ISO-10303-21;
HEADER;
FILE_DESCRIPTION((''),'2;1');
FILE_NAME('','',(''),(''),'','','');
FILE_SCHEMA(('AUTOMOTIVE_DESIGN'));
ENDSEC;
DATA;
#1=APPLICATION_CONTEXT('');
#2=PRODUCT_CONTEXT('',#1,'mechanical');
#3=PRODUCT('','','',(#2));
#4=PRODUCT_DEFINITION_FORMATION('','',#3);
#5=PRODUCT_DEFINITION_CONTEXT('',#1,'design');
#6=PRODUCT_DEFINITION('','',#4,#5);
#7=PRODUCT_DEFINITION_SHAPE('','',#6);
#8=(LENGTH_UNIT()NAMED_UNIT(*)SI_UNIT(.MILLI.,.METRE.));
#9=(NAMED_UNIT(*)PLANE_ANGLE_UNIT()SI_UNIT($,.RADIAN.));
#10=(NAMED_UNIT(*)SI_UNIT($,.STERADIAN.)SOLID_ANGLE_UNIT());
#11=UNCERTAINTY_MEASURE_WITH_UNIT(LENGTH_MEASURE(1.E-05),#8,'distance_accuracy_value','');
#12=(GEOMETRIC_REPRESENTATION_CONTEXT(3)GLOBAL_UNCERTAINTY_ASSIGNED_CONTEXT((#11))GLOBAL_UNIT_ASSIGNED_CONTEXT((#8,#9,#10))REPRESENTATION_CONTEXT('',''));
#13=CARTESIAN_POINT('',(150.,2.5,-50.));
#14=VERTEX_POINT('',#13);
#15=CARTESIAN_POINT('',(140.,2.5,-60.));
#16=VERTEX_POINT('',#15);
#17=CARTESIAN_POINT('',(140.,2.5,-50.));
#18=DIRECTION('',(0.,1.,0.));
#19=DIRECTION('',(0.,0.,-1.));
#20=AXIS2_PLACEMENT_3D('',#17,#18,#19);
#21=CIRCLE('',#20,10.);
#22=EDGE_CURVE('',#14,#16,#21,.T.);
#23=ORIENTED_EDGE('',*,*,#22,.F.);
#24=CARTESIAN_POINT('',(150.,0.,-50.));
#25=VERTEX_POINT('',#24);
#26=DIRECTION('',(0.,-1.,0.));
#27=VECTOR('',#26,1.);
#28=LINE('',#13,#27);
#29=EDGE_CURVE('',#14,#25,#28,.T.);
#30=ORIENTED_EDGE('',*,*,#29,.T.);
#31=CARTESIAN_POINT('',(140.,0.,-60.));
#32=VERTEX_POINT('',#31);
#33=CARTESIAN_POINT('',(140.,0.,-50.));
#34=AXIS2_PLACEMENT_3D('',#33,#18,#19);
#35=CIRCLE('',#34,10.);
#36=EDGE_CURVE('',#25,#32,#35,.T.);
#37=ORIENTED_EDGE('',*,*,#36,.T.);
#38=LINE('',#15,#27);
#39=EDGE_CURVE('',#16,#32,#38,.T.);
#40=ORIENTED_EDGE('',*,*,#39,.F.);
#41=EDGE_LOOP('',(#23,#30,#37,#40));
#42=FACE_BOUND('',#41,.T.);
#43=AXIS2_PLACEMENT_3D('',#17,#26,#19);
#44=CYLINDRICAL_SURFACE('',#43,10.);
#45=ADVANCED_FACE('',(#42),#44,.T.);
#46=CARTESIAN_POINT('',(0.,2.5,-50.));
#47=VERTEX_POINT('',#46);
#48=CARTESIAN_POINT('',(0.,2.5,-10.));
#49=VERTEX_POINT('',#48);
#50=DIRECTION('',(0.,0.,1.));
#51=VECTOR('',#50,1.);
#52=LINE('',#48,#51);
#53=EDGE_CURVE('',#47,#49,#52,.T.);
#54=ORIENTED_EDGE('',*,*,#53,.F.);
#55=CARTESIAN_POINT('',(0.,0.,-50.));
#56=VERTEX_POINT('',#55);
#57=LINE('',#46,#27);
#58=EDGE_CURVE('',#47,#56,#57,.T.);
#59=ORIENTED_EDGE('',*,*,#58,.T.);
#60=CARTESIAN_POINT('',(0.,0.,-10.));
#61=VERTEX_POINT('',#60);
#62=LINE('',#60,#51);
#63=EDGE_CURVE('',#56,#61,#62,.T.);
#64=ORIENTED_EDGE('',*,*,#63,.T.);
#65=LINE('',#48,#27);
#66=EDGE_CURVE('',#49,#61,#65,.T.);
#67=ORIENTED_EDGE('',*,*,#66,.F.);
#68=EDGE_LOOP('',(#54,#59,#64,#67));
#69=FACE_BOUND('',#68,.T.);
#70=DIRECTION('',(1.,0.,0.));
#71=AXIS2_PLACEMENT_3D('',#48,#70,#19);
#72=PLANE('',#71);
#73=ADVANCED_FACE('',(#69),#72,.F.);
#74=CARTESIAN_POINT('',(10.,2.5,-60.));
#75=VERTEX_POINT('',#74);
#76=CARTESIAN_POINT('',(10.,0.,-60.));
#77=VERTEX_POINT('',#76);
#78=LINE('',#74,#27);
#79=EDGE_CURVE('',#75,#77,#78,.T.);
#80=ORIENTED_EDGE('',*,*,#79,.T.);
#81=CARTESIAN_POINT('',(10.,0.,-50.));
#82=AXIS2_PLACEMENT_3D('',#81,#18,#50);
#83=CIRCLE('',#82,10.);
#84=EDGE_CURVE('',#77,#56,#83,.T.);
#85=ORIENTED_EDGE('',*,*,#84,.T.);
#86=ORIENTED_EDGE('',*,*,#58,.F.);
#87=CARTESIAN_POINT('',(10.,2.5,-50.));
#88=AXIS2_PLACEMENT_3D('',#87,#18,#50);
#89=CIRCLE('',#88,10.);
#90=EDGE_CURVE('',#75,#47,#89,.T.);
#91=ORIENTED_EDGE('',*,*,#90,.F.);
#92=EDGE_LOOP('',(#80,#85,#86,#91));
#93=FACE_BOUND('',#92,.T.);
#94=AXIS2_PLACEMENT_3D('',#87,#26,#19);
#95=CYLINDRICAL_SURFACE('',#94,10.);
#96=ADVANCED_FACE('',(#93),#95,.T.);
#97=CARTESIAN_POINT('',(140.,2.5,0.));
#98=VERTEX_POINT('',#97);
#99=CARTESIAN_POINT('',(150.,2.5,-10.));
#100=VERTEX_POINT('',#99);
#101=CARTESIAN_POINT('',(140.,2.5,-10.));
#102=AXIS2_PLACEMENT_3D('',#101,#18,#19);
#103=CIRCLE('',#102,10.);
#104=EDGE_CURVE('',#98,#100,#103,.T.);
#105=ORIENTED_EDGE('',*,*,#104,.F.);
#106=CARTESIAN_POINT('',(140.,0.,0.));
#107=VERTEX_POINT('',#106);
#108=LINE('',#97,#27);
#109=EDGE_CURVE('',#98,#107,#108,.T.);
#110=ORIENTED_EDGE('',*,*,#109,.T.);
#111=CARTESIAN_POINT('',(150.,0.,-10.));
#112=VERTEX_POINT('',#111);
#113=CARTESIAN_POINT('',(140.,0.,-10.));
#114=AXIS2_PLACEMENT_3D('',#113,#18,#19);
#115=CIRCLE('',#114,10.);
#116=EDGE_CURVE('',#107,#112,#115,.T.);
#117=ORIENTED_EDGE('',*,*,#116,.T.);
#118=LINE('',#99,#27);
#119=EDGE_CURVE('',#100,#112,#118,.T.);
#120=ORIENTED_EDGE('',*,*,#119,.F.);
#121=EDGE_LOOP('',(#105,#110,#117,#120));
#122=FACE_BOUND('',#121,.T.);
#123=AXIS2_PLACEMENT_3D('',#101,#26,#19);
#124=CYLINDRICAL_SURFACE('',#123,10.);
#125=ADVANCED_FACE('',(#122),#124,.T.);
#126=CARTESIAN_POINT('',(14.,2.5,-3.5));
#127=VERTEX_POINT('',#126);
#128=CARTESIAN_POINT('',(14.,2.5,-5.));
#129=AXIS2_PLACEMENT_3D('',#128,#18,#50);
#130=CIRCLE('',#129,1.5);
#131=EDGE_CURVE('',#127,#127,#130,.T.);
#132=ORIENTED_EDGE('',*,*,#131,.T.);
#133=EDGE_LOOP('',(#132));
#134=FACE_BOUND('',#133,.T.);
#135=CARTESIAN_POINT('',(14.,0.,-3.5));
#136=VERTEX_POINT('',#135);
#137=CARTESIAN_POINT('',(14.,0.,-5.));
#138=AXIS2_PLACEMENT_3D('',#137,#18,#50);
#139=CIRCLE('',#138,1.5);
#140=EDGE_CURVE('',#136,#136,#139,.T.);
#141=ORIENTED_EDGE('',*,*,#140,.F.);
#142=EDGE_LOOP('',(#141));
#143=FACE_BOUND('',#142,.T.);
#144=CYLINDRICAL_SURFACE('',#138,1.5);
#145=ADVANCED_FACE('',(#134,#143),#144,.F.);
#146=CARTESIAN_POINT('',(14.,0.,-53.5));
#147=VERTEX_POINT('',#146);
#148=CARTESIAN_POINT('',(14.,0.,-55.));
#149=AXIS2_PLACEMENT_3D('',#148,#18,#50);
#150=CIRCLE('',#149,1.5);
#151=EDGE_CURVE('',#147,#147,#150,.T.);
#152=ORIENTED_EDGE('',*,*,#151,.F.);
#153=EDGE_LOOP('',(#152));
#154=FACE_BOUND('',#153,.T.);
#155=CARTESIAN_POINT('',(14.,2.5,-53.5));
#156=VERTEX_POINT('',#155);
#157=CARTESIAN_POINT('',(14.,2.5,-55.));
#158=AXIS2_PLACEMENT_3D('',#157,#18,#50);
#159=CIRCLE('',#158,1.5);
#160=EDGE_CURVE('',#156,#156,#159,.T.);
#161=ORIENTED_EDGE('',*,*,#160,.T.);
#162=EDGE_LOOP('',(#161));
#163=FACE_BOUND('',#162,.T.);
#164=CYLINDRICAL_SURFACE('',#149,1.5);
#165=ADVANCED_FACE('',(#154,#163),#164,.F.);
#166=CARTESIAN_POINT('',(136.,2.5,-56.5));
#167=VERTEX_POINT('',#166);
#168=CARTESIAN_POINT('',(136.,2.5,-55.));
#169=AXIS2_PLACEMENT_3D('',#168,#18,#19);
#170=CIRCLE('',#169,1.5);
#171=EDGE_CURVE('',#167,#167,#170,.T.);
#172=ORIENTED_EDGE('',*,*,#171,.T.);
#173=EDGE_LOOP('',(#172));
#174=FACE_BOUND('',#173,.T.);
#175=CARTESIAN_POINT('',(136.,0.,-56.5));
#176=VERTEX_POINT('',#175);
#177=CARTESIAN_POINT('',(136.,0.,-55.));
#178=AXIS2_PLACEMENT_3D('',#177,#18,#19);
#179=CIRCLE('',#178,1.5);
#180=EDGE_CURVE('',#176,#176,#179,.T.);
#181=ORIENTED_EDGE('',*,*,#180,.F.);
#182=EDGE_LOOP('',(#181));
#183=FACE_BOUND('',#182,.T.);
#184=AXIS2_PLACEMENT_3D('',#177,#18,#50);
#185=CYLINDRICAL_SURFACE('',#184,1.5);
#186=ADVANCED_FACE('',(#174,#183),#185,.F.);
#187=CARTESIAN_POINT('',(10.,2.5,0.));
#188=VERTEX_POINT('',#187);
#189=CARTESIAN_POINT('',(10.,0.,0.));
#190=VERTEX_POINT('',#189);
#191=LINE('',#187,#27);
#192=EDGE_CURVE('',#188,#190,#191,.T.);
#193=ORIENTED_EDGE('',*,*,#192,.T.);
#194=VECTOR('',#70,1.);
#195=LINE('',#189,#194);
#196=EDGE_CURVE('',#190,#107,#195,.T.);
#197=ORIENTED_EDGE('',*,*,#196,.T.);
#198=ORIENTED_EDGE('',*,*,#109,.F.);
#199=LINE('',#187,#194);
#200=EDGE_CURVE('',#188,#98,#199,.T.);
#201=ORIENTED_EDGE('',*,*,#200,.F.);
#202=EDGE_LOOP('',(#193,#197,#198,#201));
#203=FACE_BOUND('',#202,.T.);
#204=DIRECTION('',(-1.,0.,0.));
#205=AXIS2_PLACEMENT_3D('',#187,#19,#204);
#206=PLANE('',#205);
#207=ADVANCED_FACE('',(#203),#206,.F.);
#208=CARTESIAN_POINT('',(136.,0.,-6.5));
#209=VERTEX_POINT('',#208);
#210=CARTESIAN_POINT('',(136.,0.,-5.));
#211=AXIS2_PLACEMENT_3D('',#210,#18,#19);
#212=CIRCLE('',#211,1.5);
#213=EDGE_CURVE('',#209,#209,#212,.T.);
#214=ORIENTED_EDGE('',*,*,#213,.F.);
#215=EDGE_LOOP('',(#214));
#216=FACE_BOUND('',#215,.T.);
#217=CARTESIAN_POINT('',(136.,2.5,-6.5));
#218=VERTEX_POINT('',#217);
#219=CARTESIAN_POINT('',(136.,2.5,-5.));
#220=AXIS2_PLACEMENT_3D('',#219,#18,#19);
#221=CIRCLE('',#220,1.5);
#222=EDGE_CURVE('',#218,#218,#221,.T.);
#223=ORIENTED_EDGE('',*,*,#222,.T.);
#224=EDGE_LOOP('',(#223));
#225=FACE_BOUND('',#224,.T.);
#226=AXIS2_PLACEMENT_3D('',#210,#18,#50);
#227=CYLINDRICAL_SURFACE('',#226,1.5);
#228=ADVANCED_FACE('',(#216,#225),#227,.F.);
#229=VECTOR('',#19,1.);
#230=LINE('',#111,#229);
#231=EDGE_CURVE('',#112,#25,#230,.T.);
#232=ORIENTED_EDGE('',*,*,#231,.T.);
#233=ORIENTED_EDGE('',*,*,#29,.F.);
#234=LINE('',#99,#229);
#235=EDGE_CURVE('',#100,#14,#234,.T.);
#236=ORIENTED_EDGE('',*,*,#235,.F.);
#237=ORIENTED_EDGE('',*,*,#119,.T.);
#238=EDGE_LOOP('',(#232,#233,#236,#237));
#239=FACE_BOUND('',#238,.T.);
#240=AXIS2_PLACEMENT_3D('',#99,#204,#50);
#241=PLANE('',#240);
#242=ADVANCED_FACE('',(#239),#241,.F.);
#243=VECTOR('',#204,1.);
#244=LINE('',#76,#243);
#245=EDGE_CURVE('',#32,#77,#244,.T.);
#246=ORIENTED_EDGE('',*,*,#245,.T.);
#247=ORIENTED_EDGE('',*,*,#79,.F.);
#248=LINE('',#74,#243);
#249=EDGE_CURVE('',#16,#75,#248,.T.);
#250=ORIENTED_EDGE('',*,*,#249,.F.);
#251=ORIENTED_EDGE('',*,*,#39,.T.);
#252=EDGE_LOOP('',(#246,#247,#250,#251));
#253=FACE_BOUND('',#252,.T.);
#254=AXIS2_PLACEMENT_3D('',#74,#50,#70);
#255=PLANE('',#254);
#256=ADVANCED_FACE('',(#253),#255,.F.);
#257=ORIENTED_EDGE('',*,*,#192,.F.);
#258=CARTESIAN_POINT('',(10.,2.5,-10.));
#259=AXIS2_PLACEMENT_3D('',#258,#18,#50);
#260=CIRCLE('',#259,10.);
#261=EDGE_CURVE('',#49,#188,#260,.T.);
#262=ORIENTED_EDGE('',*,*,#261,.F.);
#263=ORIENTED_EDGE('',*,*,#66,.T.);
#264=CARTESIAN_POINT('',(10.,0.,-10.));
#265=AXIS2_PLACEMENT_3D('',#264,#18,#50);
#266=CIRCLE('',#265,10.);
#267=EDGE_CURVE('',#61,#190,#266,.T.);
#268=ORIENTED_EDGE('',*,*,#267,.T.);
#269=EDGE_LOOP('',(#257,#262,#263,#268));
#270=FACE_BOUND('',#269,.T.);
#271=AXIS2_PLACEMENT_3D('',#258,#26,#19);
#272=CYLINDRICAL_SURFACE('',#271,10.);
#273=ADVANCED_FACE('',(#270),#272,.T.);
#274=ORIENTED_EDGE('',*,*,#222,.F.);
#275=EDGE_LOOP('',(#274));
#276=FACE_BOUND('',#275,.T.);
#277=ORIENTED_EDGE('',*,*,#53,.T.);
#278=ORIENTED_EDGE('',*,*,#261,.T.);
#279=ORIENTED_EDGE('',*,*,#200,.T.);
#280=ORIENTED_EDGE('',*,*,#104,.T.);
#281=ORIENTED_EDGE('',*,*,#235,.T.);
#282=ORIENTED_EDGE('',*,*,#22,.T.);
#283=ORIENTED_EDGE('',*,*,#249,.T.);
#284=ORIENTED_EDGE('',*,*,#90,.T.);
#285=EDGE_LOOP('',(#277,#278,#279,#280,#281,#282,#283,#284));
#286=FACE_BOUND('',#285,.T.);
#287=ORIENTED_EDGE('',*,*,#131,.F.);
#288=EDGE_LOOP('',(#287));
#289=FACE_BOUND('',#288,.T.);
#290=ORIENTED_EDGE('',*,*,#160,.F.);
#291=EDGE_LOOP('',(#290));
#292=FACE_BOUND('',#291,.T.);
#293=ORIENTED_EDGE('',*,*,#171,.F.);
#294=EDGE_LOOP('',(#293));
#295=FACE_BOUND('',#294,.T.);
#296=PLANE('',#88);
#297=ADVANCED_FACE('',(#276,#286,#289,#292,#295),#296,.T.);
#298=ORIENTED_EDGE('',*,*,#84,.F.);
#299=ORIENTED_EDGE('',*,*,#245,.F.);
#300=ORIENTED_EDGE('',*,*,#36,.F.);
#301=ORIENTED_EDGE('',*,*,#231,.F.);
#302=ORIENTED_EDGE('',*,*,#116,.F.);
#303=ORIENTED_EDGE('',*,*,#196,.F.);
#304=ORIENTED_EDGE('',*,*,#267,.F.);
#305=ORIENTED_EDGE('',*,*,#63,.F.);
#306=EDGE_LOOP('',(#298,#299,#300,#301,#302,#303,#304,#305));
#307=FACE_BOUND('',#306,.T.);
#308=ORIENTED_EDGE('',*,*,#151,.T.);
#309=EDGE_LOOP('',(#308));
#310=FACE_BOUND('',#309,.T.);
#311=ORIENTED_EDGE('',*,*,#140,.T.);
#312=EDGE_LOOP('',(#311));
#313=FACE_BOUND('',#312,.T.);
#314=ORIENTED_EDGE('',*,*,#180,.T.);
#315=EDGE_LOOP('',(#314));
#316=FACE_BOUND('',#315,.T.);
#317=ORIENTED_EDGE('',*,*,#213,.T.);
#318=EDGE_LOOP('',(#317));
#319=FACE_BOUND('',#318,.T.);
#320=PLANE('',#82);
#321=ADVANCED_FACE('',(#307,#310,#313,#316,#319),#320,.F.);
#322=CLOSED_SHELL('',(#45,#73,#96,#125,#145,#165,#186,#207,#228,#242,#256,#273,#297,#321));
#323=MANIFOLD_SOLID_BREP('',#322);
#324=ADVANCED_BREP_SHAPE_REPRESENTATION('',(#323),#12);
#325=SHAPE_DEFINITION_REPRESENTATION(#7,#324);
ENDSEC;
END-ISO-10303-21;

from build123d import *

# Parameters (mm, degrees)
BOSS_EXTRUDE1_DEPTH = 2.5
SKETCH2_R           = 1.5
CUT_EXTRUDE1_DEPTH  = 162.574286321


with BuildPart() as part:
    # Sketch1 → Boss-Extrude1 (new body)
    with BuildSketch(Plane(origin=(0, 0, 0), x_dir=(1, 0, 0), z_dir=(0, 1, 0))):
        with BuildLine():
            Line((10, 0), (140, 0))
            ThreePointArc((140, 0), (147.071067812, 2.928932188), (150, 10))
            Line((150, 10), (150, 50))
            ThreePointArc((150, 50), (147.071067812, 57.071067812), (140, 60))
            Line((140, 60), (10, 60))
            ThreePointArc((10, 60), (2.928932188, 57.071067812), (0, 50))
            Line((0, 50), (0, 10))
            ThreePointArc((0, 10), (2.928932188, 2.928932188), (10, 0))
        make_face()
    extrude(amount=BOSS_EXTRUDE1_DEPTH)

    # Sketch2 → Cut-Extrude1 (cut, through all)
    with BuildSketch(Plane(origin=(0, 2.5, 0), x_dir=(1, 0, 0), z_dir=(0, 1, 0))):
        with Locations(Location((14, 5, 0), (0, 0, 270))):
            Circle(SKETCH2_R)
        with Locations(Location((14, 55, 0), (0, 0, 270))):
            Circle(SKETCH2_R)
        with Locations(Location((136, 5, 0), (0, 0, 90))):
            Circle(SKETCH2_R)
        with Locations(Location((136, 55, 0), (0, 0, 90))):
            Circle(SKETCH2_R)
    extrude(amount=-CUT_EXTRUDE1_DEPTH, mode=Mode.SUBTRACT)


solid = part.part
